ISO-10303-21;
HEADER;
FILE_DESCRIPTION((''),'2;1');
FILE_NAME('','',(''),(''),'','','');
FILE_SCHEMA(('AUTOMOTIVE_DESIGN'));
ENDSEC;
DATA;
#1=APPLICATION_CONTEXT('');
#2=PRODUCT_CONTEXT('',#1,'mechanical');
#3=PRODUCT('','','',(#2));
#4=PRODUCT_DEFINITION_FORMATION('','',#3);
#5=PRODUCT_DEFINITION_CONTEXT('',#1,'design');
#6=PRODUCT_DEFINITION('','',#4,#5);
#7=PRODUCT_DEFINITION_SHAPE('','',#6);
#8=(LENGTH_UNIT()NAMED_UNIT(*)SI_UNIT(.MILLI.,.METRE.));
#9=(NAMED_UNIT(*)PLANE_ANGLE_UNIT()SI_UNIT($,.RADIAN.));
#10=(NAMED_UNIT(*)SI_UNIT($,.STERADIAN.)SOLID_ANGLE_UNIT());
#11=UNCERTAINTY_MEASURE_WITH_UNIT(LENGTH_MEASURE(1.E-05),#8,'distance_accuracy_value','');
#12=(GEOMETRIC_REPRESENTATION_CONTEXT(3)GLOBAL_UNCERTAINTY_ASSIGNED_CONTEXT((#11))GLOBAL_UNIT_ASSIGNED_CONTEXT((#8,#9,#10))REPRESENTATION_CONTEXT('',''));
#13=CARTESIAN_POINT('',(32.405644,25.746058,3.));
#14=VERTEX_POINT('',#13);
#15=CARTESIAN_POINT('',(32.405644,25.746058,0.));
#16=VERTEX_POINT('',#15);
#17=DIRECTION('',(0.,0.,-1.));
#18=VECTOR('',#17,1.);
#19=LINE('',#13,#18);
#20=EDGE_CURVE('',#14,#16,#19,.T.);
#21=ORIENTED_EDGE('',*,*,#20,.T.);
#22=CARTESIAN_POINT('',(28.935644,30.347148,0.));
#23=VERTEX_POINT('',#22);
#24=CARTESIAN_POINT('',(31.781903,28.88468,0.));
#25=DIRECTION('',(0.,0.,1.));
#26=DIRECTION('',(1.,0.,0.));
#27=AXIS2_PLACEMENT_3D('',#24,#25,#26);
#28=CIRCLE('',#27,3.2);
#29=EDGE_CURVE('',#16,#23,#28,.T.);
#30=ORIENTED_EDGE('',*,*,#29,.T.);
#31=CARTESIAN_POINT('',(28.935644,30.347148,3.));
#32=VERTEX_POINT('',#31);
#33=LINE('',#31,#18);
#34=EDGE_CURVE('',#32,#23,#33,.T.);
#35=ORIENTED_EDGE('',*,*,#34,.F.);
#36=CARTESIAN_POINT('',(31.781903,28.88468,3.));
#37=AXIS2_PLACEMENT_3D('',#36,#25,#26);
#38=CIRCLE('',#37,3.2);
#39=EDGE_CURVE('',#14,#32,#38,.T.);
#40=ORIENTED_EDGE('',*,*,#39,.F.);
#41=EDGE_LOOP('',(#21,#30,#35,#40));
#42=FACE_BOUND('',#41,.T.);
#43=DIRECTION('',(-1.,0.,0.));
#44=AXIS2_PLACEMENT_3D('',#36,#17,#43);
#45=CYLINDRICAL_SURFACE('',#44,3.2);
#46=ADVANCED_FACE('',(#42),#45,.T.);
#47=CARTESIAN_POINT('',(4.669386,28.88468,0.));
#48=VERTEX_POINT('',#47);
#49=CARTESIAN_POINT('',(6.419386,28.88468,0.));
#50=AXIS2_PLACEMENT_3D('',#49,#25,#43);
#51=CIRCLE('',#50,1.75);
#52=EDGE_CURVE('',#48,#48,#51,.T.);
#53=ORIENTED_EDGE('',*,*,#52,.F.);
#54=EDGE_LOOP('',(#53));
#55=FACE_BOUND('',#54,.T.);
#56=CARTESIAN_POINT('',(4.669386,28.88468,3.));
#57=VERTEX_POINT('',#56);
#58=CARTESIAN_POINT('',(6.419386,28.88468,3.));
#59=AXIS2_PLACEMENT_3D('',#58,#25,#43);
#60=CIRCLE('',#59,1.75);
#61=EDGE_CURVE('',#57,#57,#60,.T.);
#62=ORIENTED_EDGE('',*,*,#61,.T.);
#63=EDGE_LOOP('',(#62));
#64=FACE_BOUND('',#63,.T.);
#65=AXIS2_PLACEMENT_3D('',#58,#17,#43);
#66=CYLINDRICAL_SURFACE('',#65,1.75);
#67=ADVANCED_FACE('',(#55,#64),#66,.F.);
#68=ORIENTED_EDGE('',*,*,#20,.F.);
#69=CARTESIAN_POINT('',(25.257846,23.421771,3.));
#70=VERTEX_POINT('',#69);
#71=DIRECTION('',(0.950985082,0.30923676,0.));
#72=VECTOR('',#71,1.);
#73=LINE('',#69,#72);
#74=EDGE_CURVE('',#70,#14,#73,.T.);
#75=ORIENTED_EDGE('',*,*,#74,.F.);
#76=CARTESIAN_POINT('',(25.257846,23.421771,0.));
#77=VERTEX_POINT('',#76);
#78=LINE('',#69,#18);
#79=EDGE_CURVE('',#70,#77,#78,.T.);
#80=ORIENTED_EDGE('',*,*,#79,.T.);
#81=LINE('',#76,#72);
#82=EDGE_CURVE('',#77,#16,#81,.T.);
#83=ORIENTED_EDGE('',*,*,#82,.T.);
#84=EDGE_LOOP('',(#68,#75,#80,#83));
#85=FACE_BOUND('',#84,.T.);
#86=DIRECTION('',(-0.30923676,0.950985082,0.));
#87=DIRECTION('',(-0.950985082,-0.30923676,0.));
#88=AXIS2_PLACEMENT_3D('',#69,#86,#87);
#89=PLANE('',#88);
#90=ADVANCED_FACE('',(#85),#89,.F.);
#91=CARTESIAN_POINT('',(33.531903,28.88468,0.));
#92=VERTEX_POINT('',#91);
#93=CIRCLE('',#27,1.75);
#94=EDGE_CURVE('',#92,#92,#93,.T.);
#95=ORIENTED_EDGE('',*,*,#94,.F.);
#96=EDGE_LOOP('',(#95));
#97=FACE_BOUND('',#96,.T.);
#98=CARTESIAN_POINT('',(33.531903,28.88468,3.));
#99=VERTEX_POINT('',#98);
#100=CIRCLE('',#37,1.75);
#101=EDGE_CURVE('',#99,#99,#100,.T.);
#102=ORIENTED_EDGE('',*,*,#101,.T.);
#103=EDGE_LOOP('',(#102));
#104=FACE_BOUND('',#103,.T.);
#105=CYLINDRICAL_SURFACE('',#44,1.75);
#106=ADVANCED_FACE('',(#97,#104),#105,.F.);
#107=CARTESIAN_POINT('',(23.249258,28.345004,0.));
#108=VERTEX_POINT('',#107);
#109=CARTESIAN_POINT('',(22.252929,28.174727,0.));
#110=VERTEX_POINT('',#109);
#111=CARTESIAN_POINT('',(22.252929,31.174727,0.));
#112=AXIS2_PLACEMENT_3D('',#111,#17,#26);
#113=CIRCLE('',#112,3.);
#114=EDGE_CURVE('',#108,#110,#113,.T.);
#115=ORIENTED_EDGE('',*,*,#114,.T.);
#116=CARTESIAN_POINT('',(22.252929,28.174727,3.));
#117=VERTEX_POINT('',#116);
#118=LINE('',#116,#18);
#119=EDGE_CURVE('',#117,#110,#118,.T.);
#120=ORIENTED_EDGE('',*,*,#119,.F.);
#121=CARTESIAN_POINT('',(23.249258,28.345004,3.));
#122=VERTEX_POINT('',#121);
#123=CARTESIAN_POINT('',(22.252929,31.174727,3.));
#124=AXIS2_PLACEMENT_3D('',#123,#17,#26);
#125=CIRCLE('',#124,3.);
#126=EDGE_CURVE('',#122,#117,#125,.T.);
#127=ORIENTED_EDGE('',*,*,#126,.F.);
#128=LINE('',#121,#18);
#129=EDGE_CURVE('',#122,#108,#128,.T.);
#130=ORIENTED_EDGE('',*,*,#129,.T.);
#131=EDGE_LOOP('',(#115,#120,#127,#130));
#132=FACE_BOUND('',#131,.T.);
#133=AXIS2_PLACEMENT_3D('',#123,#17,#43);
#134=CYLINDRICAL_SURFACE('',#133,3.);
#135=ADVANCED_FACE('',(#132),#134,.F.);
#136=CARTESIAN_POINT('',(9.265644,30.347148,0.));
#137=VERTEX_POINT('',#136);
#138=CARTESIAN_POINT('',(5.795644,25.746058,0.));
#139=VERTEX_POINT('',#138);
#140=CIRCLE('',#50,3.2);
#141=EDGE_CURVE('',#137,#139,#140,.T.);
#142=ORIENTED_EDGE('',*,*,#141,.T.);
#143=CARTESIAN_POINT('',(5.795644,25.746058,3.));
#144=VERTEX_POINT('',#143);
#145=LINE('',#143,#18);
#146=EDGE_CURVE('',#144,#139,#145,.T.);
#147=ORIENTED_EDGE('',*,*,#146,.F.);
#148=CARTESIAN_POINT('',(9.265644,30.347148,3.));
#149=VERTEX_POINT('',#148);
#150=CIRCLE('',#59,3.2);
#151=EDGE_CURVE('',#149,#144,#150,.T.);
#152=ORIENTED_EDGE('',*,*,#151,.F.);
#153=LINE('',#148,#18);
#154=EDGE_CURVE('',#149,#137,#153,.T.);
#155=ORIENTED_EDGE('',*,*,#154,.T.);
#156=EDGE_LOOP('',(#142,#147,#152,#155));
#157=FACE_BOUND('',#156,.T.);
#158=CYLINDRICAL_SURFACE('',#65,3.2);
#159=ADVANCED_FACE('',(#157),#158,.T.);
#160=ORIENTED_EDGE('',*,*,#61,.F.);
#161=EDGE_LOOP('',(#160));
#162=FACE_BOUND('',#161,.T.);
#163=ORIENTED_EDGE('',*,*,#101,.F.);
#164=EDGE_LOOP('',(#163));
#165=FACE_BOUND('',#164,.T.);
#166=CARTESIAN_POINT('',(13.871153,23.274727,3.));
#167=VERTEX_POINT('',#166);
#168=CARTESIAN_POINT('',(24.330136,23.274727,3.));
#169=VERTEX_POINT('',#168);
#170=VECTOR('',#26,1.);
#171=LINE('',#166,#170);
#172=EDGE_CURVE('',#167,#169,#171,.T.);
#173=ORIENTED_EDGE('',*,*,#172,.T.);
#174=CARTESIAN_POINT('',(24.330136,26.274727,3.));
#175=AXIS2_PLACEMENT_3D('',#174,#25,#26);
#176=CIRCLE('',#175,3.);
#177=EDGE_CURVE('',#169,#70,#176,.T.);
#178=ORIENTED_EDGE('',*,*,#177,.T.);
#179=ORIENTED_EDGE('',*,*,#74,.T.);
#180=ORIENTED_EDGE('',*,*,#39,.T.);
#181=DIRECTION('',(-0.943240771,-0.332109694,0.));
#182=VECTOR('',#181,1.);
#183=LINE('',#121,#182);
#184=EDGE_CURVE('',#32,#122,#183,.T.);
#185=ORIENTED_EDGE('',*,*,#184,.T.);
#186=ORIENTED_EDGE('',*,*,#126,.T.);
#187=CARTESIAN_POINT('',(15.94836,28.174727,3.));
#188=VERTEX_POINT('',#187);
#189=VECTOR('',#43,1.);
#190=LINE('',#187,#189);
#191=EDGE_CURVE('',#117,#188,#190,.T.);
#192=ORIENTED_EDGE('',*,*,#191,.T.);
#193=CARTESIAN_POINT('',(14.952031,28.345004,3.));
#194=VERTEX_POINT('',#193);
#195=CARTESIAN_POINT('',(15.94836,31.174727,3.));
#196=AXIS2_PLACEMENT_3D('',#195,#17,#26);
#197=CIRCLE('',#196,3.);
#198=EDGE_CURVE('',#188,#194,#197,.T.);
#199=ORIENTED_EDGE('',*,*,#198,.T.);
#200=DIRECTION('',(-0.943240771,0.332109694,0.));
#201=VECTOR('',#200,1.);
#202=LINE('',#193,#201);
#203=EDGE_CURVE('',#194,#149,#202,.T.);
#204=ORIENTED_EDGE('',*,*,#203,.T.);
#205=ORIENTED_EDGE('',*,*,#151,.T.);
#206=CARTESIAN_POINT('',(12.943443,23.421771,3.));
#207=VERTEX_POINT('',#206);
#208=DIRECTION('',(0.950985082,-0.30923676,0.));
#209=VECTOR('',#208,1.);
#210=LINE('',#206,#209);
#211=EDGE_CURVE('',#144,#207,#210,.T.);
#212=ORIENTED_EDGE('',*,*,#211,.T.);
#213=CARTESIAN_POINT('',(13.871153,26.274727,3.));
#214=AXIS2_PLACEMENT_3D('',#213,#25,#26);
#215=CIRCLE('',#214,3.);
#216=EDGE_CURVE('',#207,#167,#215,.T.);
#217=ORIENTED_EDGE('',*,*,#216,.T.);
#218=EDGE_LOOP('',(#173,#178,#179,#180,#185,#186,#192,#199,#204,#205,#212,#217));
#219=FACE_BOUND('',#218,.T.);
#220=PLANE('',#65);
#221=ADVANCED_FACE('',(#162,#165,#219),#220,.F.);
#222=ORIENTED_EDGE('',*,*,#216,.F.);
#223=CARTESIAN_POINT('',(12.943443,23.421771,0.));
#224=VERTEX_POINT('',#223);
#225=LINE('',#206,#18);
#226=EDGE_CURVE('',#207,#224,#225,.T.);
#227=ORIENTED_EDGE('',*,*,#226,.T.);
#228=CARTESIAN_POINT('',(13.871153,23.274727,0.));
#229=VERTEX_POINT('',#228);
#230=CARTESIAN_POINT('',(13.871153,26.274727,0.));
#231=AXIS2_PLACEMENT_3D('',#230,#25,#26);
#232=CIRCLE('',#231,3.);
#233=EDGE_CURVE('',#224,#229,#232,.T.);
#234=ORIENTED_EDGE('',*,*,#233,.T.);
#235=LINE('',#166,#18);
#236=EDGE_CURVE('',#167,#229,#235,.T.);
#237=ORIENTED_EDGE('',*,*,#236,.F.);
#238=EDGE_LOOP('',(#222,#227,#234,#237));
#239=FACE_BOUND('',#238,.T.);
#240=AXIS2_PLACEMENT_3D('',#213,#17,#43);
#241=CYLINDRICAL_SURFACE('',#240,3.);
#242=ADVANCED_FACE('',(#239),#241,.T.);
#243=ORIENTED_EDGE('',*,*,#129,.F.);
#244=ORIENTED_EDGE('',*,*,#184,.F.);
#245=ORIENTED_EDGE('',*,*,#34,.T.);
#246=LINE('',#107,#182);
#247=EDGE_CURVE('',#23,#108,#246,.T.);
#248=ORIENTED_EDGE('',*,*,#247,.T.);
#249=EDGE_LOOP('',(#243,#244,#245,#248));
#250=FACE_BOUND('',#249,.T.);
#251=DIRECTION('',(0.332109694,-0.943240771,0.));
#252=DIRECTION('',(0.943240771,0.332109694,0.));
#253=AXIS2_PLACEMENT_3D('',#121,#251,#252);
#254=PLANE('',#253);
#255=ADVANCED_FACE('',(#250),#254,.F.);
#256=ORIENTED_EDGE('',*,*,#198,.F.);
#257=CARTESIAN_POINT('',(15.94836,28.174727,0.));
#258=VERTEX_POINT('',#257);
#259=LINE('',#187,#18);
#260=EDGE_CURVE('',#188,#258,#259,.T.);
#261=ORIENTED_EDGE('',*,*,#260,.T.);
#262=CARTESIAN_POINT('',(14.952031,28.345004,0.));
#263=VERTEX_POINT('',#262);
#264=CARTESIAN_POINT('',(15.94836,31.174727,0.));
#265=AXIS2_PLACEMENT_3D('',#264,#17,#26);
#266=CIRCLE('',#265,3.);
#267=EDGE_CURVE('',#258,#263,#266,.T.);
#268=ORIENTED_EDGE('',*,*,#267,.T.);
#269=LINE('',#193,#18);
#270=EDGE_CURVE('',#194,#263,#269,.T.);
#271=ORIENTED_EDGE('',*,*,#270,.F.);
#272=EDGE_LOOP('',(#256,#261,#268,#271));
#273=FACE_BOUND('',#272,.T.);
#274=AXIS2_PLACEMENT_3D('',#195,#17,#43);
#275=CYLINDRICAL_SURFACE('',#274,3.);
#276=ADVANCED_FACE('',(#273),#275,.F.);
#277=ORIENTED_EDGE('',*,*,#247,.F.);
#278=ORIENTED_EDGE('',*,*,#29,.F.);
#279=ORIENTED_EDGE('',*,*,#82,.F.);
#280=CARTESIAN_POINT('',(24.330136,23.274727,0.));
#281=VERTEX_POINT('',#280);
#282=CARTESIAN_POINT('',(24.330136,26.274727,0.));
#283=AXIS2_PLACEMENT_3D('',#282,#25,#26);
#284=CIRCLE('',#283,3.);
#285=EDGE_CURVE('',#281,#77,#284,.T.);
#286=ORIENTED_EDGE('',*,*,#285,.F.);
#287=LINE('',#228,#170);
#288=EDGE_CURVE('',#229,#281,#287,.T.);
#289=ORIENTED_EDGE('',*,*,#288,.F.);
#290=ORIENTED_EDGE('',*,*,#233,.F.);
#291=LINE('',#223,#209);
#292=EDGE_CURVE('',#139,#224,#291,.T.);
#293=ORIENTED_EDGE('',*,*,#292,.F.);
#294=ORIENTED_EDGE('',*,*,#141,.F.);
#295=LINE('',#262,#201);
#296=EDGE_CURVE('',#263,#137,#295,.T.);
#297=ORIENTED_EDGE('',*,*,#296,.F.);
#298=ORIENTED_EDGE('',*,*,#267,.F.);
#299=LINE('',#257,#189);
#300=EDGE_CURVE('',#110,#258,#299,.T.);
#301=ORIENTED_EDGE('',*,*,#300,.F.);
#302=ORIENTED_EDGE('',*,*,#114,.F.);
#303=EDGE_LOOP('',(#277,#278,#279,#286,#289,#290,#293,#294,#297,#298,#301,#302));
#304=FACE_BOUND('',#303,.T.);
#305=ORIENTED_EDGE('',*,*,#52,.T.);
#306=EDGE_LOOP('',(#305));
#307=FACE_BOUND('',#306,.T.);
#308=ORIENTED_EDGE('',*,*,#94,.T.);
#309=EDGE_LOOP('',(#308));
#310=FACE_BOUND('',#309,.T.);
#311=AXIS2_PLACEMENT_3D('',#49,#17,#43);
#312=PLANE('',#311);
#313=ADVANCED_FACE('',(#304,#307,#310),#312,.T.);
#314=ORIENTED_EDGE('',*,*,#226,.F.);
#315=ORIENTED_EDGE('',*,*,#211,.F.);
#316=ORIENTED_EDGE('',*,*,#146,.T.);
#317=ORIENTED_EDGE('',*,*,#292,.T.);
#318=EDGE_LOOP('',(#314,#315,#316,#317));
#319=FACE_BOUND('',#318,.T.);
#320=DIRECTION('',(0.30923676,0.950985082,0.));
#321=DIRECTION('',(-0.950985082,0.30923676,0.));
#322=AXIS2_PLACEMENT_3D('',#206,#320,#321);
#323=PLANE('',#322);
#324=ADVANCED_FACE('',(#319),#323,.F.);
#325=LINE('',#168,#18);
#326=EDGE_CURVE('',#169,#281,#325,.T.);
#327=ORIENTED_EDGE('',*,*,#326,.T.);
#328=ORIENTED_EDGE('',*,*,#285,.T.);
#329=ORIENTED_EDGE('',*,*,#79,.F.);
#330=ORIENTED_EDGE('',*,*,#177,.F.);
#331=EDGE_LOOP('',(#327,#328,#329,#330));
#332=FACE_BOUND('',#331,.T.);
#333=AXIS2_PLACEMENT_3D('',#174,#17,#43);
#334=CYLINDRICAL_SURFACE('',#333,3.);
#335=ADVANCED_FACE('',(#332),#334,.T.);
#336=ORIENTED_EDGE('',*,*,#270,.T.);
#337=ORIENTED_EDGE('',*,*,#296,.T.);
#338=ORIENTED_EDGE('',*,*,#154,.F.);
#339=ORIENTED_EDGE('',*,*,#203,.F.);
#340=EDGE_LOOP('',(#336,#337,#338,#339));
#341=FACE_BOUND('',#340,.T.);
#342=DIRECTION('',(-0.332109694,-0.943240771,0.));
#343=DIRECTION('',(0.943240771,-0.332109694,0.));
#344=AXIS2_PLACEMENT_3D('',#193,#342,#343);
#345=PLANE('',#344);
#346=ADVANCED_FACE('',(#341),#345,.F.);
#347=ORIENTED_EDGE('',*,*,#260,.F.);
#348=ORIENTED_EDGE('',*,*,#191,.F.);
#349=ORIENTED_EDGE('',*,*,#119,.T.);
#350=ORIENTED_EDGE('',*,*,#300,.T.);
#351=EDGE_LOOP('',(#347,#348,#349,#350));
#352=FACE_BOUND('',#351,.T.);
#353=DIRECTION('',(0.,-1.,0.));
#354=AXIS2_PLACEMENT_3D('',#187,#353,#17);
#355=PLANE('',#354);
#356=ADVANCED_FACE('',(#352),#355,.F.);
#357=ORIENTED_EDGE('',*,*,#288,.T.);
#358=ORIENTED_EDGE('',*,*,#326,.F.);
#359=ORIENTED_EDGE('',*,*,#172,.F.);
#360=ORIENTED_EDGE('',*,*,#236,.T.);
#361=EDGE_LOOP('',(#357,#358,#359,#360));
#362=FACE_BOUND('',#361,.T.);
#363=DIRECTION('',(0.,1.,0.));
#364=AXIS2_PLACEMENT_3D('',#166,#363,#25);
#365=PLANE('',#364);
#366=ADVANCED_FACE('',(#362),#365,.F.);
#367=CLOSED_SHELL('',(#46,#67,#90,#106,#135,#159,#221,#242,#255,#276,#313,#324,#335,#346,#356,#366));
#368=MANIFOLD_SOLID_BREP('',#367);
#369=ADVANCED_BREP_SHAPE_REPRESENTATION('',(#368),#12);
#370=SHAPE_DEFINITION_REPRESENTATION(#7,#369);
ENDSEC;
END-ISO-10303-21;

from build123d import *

# Parameters (mm, degrees)
CROQUIS1_R              = 1.75
SALIENTE_EXTRUIR1_DEPTH = 3


with BuildPart() as part:
    # Croquis1 → Saliente-Extruir1 (new body)
    with BuildSketch(Plane.XY):
        with BuildLine():
            Line((13.871153062, 23.274726508), (24.330135763, 23.274726508))
            ThreePointArc((24.330135763, 23.274726508), (24.799781514, 23.311715731), (25.257846044, 23.421771263))
            Line((25.257846044, 23.421771263), (32.405644412, 25.746057998))
            ThreePointArc((32.405644412, 25.746057998), (34.336780797, 30.811489821), (28.935644412, 30.347148308))
            Line((28.935644412, 30.347148308), (23.249258293, 28.345004197))
            ThreePointArc((23.249258293, 28.345004197), (22.758316719, 28.21760232), (22.252929212, 28.174726508))
            Line((22.252929212, 28.174726508), (15.948359613, 28.174726508))
            ThreePointArc((15.948359613, 28.174726508), (15.442972106, 28.21760232), (14.952030531, 28.345004197))
            Line((14.952030531, 28.345004197), (9.265644412, 30.347148308))
            ThreePointArc((9.265644412, 30.347148308), (3.864508027, 30.811489821), (5.795644412, 25.746057998))
            Line((5.795644412, 25.746057998), (12.94344278, 23.421771263))
            ThreePointArc((12.94344278, 23.421771263), (13.401507311, 23.311715731), (13.871153062, 23.274726508))
        make_face()
        with Locations((31.781902577, 28.88467969)):
            Circle(CROQUIS1_R, mode=Mode.SUBTRACT)
        with Locations(Location((6.419386247, 28.88467969, 0), (0, 0, 180))):
            Circle(CROQUIS1_R, mode=Mode.SUBTRACT)
    extrude(amount=SALIENTE_EXTRUIR1_DEPTH)


solid = part.part
